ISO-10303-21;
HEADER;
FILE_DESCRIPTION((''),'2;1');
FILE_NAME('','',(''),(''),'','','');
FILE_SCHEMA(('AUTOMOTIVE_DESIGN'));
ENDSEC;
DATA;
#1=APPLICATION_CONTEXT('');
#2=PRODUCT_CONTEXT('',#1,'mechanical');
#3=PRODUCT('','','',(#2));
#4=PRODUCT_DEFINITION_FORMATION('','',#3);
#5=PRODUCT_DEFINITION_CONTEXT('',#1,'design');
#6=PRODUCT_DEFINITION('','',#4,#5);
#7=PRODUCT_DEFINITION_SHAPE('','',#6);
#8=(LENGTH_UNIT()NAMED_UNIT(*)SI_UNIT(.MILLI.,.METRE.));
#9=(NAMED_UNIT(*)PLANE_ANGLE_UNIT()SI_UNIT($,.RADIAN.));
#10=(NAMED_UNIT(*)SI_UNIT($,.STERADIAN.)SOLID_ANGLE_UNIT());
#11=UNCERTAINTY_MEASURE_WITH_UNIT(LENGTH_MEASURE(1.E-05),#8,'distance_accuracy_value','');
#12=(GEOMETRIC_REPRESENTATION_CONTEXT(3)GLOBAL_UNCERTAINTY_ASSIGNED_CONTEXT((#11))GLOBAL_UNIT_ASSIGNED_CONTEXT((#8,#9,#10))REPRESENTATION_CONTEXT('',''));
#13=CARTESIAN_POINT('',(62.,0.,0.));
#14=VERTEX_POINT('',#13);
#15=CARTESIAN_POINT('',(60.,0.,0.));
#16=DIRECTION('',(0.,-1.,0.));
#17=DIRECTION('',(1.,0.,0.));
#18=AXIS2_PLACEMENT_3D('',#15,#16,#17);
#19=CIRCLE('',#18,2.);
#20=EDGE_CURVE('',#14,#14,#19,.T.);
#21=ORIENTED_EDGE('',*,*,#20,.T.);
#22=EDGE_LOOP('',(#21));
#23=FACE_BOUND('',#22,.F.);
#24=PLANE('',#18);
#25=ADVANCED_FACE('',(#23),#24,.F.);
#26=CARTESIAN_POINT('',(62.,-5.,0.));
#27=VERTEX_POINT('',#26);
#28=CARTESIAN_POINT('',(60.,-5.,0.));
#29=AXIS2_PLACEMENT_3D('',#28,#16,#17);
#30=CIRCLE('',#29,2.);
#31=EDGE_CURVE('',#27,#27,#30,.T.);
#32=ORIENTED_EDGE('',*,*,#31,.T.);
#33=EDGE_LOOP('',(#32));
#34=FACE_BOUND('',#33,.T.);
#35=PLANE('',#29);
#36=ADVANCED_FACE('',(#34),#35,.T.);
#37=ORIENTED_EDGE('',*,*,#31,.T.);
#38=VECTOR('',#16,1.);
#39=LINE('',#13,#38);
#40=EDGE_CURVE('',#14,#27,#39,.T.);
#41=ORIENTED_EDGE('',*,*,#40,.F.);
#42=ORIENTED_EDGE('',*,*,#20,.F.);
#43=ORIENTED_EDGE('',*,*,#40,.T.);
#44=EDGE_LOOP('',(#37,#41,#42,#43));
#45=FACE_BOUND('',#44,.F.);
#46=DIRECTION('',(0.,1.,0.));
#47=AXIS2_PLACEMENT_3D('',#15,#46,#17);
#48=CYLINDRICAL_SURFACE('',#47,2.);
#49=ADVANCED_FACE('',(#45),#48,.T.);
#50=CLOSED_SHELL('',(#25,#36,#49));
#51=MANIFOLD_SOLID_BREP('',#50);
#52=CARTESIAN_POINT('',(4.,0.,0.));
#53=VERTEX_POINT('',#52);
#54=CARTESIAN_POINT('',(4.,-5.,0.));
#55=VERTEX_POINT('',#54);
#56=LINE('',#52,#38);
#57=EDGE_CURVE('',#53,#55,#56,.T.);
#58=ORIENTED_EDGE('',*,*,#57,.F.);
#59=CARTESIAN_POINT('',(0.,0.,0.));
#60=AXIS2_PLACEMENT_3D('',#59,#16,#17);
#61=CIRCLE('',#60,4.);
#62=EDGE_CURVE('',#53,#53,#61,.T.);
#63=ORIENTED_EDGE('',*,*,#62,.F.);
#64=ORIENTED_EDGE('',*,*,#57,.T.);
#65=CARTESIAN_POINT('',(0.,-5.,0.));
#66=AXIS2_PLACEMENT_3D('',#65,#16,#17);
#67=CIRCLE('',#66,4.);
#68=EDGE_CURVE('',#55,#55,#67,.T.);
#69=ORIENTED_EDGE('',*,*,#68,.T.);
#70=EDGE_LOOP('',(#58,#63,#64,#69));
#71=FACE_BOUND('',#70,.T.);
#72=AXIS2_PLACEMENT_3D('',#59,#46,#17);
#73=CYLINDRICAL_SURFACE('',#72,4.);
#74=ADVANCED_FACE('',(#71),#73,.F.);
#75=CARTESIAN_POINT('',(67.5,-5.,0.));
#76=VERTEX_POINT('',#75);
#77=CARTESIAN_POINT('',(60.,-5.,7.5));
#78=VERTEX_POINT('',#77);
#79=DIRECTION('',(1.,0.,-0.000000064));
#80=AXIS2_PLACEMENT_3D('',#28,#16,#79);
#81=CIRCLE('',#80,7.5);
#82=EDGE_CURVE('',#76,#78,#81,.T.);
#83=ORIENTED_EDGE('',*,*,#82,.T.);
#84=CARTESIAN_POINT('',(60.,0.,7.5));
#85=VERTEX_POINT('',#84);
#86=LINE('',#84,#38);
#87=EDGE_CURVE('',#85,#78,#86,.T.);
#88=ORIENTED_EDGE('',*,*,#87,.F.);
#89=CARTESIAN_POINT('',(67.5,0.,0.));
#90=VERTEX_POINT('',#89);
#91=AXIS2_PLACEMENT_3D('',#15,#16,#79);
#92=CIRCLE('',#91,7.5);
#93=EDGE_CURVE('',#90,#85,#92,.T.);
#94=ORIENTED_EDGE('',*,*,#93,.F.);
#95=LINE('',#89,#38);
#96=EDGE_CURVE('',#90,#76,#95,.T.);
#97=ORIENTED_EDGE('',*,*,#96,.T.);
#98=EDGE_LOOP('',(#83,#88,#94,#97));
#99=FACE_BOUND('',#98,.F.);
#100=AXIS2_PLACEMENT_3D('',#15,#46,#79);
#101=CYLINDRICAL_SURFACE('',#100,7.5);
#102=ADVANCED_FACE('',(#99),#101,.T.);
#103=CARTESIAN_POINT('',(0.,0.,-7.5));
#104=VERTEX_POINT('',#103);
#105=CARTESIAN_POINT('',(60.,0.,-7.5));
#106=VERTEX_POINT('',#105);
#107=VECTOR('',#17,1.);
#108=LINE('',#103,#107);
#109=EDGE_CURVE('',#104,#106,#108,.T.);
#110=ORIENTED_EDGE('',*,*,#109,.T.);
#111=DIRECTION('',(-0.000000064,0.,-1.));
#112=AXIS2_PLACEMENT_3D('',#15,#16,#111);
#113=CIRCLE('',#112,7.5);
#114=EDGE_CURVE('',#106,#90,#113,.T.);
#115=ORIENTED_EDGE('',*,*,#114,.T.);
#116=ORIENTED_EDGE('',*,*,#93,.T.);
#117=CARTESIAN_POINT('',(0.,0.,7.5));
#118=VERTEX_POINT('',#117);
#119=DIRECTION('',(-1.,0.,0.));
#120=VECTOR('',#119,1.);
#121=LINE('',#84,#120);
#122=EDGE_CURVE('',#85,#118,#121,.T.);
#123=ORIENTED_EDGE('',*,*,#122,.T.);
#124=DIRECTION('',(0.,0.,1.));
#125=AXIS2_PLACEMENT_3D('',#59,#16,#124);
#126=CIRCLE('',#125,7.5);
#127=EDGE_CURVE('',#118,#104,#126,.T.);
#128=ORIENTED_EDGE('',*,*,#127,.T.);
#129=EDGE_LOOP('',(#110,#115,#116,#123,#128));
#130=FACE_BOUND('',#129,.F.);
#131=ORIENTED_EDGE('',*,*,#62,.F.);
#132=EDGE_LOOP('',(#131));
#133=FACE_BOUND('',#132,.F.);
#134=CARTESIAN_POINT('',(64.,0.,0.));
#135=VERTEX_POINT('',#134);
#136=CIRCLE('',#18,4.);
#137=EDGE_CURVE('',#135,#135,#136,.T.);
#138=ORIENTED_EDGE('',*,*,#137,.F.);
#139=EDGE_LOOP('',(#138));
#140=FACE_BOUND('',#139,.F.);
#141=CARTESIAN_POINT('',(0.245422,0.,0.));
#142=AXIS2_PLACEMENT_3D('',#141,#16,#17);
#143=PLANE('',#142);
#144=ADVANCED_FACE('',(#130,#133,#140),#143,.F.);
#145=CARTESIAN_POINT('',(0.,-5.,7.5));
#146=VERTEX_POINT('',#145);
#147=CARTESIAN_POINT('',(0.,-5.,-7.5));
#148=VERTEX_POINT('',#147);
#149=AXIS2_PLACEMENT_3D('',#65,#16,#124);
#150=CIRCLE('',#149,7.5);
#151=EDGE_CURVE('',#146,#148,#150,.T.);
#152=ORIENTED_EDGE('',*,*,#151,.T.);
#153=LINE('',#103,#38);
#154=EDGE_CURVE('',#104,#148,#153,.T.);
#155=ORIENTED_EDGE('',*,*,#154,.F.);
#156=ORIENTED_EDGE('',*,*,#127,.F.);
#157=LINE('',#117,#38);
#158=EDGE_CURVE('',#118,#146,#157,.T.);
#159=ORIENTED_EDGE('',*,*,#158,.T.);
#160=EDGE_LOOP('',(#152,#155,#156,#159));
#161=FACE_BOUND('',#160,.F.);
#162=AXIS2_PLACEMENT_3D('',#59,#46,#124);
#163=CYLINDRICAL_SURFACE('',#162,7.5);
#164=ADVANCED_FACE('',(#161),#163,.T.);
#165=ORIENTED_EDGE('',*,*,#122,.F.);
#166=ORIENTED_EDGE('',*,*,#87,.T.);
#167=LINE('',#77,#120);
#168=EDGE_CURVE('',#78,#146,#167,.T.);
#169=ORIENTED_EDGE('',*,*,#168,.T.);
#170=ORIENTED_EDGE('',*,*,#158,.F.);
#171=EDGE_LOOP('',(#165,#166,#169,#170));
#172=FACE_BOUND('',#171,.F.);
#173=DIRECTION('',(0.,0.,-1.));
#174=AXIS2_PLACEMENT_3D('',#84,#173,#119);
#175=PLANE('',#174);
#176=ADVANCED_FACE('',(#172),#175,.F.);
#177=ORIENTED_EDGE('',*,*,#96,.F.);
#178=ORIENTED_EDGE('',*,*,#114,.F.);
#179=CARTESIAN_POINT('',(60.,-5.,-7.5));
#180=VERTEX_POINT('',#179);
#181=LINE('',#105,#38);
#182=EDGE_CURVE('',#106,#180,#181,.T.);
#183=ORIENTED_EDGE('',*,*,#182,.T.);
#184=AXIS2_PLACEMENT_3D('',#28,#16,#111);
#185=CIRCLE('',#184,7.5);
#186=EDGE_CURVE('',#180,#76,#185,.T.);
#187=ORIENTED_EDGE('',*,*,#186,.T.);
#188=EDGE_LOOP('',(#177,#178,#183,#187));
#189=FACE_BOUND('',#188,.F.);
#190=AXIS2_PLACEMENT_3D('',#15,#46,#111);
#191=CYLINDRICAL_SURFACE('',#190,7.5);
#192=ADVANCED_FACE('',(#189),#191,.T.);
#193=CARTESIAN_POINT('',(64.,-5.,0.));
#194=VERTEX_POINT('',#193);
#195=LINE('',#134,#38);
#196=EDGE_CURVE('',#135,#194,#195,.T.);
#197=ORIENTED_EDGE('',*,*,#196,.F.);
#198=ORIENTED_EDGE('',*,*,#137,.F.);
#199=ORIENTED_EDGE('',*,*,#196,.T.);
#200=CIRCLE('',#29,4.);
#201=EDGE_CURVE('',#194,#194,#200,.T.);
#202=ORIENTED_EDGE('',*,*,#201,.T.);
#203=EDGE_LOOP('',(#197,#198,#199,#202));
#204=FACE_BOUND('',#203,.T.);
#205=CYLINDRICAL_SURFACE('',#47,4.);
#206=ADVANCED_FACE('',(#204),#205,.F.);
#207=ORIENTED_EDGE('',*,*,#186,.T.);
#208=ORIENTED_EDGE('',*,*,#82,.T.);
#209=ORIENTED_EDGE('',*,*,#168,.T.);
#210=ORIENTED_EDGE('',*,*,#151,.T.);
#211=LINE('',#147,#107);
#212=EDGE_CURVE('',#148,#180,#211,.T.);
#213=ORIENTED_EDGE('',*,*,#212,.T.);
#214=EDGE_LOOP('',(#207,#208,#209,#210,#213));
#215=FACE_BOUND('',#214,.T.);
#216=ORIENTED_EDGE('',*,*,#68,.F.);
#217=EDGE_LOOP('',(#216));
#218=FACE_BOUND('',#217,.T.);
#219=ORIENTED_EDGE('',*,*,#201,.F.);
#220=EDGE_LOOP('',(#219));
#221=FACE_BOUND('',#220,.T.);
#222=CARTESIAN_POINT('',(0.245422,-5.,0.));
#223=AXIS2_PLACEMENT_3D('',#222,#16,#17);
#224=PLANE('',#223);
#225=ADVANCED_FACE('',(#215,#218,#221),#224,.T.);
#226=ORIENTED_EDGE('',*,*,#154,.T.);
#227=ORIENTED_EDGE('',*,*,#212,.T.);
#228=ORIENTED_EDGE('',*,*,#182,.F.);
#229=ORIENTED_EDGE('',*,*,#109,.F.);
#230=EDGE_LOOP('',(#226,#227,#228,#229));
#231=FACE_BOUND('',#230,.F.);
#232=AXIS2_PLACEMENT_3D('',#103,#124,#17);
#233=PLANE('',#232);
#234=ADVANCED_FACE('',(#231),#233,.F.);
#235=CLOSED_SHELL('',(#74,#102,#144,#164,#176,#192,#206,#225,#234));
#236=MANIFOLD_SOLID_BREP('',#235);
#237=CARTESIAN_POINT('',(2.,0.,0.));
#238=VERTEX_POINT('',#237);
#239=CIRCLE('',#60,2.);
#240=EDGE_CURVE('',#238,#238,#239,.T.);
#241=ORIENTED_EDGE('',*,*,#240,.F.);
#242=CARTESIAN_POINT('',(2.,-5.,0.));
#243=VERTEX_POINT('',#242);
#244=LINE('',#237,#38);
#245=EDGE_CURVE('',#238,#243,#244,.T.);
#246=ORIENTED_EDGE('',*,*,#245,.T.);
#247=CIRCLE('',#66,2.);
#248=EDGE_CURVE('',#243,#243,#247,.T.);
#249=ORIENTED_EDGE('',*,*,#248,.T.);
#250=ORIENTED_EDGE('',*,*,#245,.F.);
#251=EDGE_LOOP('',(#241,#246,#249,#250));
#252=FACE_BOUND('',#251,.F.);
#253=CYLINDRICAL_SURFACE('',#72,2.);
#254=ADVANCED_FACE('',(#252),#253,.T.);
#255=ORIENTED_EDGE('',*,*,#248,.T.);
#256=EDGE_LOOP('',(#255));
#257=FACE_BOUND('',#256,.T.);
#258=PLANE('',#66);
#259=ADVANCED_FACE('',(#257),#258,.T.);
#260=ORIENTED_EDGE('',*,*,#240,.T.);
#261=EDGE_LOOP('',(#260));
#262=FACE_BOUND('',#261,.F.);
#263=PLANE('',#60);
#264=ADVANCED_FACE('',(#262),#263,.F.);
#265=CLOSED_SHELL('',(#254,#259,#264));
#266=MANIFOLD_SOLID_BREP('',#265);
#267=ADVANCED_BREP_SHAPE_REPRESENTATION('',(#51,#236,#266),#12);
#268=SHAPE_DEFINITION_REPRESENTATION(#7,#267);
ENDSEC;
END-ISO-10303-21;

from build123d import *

# Parameters (mm, degrees)
F0_R     = 4
F0_R_2   = 2
F1_DEPTH = 5


with BuildPart() as f1:
    # F0 (on Front) → F1 (new body)
    with BuildSketch(Plane.XZ):
        with BuildLine():
            ThreePointArc((0, -7.5), (5.303301, -5.303301), (7.5, 0))
            ThreePointArc((7.5, 0), (5.303301, 5.303301), (0, 7.5))
            ThreePointArc((0, 7.5), (-7.5, 0), (0, -7.5))
        make_face()
        Circle(F0_R, mode=Mode.SUBTRACT)
        with BuildLine():
            ThreePointArc((0, 7.5), (5.303301, 5.303301), (7.5, 0))
            ThreePointArc((7.5, 0), (5.303301, -5.303301), (0, -7.5))
            Line((0, -7.5), (60, -7.5))
            ThreePointArc((60, -7.5), (52.5, 0), (60, 7.5))
            Line((60, 7.5), (0, 7.5))
        make_face()
        with BuildLine():
            ThreePointArc((67.5, 0), (65.303301, 5.303301), (60, 7.5))
            ThreePointArc((60, 7.5), (52.5, 0), (60, -7.5))
            ThreePointArc((60, -7.5), (65.303301, -5.303301), (67.5, 0))
        make_face()
        with Locations((60, 0)):
            Circle(F0_R, mode=Mode.SUBTRACT)
        with Locations((60, 0)):
            Circle(F0_R_2)
        Circle(F0_R_2)
    extrude(amount=F1_DEPTH)


solid = f1.part
